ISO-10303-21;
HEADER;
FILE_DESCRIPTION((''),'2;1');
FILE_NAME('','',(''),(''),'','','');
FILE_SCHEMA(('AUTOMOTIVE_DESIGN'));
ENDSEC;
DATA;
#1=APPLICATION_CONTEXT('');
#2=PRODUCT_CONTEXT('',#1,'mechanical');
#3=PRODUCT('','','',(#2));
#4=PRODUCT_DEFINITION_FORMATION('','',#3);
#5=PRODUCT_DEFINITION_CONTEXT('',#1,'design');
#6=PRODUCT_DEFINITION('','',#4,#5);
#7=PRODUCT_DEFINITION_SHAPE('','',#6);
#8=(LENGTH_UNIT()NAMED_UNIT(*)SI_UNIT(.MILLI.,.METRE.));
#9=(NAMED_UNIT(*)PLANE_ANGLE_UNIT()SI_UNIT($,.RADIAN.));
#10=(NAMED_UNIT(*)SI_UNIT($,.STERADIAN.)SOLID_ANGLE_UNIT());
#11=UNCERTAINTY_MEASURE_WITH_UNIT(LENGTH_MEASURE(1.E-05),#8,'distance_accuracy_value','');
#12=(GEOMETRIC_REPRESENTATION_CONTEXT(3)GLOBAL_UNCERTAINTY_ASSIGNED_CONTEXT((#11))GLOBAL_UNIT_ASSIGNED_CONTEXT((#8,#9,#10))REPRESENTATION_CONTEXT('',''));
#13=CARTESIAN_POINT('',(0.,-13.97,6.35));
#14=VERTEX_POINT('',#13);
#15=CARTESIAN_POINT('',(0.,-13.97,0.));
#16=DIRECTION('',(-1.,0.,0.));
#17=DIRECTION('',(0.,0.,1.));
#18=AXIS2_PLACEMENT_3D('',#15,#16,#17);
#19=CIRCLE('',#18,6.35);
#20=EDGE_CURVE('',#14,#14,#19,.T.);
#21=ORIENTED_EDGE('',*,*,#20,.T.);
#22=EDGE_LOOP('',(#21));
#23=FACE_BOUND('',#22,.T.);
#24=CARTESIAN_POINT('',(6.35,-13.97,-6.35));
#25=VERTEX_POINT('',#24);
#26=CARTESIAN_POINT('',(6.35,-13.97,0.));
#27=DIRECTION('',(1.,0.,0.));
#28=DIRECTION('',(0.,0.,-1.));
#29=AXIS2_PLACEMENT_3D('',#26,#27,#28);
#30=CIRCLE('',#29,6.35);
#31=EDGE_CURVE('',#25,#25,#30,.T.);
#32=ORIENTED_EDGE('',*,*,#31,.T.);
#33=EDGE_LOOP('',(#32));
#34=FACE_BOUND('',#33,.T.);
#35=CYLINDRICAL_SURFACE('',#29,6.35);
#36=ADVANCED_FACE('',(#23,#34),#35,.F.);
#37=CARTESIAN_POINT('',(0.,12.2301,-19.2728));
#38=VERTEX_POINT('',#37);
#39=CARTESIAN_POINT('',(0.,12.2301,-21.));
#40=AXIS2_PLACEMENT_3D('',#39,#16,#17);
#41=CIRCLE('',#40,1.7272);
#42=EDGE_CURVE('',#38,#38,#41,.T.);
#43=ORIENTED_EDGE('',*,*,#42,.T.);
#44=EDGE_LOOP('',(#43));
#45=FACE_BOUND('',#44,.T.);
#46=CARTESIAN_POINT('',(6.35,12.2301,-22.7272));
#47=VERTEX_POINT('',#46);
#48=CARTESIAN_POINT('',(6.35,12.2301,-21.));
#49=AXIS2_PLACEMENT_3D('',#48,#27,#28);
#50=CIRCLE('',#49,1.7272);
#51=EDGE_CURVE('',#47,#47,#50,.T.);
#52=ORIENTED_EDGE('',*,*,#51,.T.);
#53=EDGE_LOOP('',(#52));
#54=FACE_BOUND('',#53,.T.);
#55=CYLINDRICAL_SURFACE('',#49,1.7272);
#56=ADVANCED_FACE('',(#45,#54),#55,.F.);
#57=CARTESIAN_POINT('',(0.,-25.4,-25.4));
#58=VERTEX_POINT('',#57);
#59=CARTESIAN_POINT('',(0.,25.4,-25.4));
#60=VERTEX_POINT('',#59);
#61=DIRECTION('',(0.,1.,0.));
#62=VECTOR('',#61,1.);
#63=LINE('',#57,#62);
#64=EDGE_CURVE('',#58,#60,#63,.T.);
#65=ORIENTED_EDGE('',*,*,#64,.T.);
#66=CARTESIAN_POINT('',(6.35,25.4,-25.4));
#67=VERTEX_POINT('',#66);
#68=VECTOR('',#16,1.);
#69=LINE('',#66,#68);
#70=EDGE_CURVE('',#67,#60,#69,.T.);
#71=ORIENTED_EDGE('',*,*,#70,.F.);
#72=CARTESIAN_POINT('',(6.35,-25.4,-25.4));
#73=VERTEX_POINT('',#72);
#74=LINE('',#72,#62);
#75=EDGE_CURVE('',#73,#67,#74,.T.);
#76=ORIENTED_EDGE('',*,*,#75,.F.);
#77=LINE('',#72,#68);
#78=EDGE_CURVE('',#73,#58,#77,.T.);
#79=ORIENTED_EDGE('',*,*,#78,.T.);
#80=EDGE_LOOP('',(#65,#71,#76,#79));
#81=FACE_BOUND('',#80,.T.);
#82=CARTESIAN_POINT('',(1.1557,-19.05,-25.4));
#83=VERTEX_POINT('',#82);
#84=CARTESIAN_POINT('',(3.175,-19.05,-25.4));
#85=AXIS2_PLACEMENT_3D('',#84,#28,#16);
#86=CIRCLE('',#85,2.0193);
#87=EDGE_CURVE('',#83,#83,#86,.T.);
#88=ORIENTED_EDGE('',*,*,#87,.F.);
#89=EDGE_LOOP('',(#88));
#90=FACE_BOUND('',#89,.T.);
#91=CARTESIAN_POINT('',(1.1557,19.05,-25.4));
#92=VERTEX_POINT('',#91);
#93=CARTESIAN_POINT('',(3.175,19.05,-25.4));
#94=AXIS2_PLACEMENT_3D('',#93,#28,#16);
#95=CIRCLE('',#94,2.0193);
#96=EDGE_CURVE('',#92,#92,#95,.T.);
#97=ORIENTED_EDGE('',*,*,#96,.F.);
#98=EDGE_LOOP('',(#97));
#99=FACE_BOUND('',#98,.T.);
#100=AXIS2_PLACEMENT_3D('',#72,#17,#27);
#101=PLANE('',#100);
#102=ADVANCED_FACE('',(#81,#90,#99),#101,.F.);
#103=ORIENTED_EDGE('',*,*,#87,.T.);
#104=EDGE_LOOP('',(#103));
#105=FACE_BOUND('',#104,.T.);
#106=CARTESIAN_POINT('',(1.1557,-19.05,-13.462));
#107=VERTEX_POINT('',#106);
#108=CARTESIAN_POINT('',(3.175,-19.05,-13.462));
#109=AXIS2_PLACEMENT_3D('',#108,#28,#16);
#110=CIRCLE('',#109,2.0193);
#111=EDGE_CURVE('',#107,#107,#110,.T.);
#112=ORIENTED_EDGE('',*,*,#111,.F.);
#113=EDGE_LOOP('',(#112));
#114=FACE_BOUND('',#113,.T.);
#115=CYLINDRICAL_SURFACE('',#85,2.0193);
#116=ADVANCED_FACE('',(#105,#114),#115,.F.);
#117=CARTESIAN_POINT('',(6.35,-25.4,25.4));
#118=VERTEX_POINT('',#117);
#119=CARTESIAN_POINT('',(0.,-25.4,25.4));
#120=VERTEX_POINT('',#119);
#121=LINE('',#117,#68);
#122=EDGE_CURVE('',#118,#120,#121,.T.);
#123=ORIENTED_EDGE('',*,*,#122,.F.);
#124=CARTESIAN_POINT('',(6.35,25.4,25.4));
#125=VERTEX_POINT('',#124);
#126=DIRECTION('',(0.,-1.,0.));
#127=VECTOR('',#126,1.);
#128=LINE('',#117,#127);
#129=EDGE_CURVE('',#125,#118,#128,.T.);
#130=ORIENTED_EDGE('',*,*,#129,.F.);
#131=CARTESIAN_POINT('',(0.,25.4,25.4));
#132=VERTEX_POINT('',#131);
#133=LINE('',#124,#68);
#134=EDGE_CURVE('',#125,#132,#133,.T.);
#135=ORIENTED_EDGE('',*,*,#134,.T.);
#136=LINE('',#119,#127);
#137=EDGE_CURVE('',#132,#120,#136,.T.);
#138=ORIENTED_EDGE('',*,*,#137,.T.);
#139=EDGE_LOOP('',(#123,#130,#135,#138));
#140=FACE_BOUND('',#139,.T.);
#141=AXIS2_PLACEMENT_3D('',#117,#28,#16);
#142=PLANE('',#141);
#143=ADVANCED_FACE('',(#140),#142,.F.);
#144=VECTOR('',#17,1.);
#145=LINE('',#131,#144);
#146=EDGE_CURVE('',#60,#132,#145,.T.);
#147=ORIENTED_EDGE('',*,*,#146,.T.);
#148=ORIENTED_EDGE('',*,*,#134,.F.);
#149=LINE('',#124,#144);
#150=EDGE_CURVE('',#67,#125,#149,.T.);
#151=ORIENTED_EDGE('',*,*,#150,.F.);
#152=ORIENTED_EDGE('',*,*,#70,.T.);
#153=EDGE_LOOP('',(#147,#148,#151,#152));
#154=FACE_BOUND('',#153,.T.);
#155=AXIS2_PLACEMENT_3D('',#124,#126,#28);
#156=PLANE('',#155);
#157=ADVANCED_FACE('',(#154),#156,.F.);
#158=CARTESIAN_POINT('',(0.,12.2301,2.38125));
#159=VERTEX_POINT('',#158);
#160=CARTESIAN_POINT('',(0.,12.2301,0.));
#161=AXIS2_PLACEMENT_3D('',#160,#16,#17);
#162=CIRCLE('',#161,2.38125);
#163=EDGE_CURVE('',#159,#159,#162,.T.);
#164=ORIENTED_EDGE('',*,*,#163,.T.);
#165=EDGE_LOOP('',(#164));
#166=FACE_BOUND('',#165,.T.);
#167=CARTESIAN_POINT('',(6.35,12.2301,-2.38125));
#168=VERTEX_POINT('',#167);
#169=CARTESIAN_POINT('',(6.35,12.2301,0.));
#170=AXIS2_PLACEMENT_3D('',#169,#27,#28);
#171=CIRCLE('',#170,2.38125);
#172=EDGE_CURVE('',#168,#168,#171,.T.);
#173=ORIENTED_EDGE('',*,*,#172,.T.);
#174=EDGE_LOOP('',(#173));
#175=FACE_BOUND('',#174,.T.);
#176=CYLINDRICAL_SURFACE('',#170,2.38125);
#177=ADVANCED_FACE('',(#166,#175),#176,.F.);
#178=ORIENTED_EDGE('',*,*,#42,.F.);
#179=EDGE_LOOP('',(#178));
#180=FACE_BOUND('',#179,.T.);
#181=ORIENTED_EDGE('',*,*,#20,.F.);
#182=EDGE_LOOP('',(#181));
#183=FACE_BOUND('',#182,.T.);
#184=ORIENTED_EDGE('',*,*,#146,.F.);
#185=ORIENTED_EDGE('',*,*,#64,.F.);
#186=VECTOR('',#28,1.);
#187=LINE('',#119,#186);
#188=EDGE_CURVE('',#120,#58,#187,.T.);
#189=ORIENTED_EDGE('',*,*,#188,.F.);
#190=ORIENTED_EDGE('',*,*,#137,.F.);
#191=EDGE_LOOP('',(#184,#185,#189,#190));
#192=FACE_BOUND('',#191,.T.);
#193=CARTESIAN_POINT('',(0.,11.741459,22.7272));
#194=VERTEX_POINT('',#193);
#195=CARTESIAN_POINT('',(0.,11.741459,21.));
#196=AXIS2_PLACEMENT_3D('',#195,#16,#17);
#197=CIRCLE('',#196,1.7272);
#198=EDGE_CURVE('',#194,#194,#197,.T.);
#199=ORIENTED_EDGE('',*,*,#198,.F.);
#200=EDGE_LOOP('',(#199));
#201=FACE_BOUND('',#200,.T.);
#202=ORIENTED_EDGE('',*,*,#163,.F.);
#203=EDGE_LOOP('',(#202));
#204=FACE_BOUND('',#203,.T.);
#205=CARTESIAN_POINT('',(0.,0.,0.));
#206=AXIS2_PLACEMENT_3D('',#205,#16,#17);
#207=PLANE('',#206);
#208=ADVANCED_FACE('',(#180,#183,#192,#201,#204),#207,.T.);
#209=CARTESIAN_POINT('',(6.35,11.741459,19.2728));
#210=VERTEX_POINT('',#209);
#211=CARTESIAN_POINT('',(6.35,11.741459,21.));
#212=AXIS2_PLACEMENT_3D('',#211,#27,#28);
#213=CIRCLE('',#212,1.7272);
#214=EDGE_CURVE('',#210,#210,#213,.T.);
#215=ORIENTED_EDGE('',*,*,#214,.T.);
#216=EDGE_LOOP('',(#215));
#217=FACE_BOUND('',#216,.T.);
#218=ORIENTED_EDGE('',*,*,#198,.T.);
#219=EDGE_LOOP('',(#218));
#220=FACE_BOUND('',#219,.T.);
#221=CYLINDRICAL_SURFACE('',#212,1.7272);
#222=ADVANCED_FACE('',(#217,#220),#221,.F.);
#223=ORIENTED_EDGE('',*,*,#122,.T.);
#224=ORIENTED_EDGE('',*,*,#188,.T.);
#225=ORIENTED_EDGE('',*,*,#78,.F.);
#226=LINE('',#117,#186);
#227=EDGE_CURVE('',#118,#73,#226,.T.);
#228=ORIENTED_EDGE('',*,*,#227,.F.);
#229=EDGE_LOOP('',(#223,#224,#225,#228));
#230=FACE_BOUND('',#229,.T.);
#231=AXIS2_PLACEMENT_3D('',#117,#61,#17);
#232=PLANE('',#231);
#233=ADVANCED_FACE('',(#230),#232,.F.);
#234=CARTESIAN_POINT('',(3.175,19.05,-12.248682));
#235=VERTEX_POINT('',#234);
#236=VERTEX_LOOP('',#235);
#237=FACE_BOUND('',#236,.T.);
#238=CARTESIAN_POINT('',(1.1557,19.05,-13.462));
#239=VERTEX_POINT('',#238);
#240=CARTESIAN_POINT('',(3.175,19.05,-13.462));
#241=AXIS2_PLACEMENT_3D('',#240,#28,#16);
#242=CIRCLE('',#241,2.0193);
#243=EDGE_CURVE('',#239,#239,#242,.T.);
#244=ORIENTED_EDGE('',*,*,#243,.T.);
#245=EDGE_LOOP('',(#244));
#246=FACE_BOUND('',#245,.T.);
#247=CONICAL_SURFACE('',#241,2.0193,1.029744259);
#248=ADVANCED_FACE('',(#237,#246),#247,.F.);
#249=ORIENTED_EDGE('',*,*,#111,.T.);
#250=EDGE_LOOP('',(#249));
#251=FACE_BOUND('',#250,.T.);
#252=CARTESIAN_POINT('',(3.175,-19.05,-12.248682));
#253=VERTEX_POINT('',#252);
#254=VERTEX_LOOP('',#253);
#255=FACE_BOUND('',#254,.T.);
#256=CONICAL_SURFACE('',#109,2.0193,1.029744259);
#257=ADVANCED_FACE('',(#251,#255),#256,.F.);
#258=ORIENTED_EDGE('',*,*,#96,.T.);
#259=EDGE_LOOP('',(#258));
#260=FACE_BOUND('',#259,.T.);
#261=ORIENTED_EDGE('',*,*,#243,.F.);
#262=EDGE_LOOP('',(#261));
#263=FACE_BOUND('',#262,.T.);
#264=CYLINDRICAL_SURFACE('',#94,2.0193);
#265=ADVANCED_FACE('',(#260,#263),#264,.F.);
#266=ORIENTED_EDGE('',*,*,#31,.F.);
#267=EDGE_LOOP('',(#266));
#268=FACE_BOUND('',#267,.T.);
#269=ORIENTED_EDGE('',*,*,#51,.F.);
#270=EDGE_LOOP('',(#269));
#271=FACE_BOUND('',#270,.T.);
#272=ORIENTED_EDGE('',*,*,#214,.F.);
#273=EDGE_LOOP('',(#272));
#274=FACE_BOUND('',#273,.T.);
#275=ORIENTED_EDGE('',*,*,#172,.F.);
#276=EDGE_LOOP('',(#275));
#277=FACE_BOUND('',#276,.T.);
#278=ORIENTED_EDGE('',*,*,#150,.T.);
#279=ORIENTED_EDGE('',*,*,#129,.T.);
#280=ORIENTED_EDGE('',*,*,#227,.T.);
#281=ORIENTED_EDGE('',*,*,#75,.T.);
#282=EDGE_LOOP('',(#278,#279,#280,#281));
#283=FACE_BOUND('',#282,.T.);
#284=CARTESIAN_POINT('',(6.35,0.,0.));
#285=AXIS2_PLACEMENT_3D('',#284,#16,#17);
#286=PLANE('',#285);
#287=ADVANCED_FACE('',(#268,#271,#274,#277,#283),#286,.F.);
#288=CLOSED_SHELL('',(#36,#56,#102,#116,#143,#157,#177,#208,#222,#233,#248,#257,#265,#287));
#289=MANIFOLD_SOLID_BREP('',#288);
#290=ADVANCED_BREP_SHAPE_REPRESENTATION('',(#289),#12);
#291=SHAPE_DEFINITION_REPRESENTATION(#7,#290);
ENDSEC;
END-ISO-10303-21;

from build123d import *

# Parameters (mm, degrees)
SKETCH1_W                          = 50.8
SKETCH1_H                          = 50.8
BOSS_EXTRUDE1_DEPTH                = 6.35
F_1_2_0_5_DIAMETER_HOLE1_D         = 12.7
F_1_2_0_5_DIAMETER_HOLE1_DEPTH     = 70.104
F_1_2_0_5_DIAMETER_HOLE1_TIP       = 3.815464931
F_3_16_0_1875_DIAMETER_HOLE1_D     = 4.7625
F_3_16_0_1875_DIAMETER_HOLE1_DEPTH = 70.104
F_3_16_0_1875_DIAMETER_HOLE1_TIP   = 1.430799349
F_29_0_136_DIAMETER_HOLE1_D        = 3.4544
F_29_0_136_DIAMETER_HOLE1_DEPTH    = 70.104
F_29_0_136_DIAMETER_HOLE1_TIP      = 1.037806461
F_10_32_TAPPED_HOLE1_D             = 4.0386
F_10_32_TAPPED_HOLE1_DEPTH         = 11.938
F_10_32_TAPPED_HOLE1_TIP           = 1.213317848


with BuildPart() as part:
    # Sketch1 → Boss-Extrude1 (new body)
    with BuildSketch(Plane(origin=(0, 0, 0), x_dir=(0, 0, -1), z_dir=(1, 0, 0))):
        Rectangle(SKETCH1_W, SKETCH1_H)
    extrude(amount=BOSS_EXTRUDE1_DEPTH)

    # 1/2 (0.5) Diameter Hole1
    with Locations(Plane(origin=(6.35, 0, 0), x_dir=(0, 0, -1), z_dir=(1, 0, 0))):
        with Locations((0, -13.97)):
            Hole(F_1_2_0_5_DIAMETER_HOLE1_D / 2, depth=F_1_2_0_5_DIAMETER_HOLE1_DEPTH)
            with Locations((0, 0, -(F_1_2_0_5_DIAMETER_HOLE1_DEPTH + F_1_2_0_5_DIAMETER_HOLE1_TIP / 2))):  # 118° drill point
                Cone(0, F_1_2_0_5_DIAMETER_HOLE1_D / 2, F_1_2_0_5_DIAMETER_HOLE1_TIP, mode=Mode.SUBTRACT)

    # 3/16 (0.1875) Diameter Hole1
    with Locations(Plane(origin=(6.35, 0, 0), x_dir=(0, 0, -1), z_dir=(1, 0, 0))):
        with Locations((0, 12.2301)):
            Hole(F_3_16_0_1875_DIAMETER_HOLE1_D / 2, depth=F_3_16_0_1875_DIAMETER_HOLE1_DEPTH)
            with Locations((0, 0, -(F_3_16_0_1875_DIAMETER_HOLE1_DEPTH + F_3_16_0_1875_DIAMETER_HOLE1_TIP / 2))):  # 118° drill point
                Cone(0, F_3_16_0_1875_DIAMETER_HOLE1_D / 2, F_3_16_0_1875_DIAMETER_HOLE1_TIP, mode=Mode.SUBTRACT)

    # #29 (0.136) Diameter Hole1
    with Locations(Plane(origin=(6.35, 0, 0), x_dir=(0, 0, -1), z_dir=(1, 0, 0))):
        with Locations((21, 12.2301), (-21, 11.74145915)):
            Hole(F_29_0_136_DIAMETER_HOLE1_D / 2, depth=F_29_0_136_DIAMETER_HOLE1_DEPTH)
            with Locations((0, 0, -(F_29_0_136_DIAMETER_HOLE1_DEPTH + F_29_0_136_DIAMETER_HOLE1_TIP / 2))):  # 118° drill point
                Cone(0, F_29_0_136_DIAMETER_HOLE1_D / 2, F_29_0_136_DIAMETER_HOLE1_TIP, mode=Mode.SUBTRACT)

    # #10-32 Tapped Hole1
    with Locations(Plane(origin=(-0.669296778, 7.980106856, -25.4), x_dir=(-1, 0, 0), z_dir=(0, 0, -1))):
        with Locations((-3.844296778, -27.030106856), (-3.844296778, 11.069893144)):
            Hole(F_10_32_TAPPED_HOLE1_D / 2, depth=F_10_32_TAPPED_HOLE1_DEPTH)
            with Locations((0, 0, -(F_10_32_TAPPED_HOLE1_DEPTH + F_10_32_TAPPED_HOLE1_TIP / 2))):  # 118° drill point
                Cone(0, F_10_32_TAPPED_HOLE1_D / 2, F_10_32_TAPPED_HOLE1_TIP, mode=Mode.SUBTRACT)


solid = part.part
